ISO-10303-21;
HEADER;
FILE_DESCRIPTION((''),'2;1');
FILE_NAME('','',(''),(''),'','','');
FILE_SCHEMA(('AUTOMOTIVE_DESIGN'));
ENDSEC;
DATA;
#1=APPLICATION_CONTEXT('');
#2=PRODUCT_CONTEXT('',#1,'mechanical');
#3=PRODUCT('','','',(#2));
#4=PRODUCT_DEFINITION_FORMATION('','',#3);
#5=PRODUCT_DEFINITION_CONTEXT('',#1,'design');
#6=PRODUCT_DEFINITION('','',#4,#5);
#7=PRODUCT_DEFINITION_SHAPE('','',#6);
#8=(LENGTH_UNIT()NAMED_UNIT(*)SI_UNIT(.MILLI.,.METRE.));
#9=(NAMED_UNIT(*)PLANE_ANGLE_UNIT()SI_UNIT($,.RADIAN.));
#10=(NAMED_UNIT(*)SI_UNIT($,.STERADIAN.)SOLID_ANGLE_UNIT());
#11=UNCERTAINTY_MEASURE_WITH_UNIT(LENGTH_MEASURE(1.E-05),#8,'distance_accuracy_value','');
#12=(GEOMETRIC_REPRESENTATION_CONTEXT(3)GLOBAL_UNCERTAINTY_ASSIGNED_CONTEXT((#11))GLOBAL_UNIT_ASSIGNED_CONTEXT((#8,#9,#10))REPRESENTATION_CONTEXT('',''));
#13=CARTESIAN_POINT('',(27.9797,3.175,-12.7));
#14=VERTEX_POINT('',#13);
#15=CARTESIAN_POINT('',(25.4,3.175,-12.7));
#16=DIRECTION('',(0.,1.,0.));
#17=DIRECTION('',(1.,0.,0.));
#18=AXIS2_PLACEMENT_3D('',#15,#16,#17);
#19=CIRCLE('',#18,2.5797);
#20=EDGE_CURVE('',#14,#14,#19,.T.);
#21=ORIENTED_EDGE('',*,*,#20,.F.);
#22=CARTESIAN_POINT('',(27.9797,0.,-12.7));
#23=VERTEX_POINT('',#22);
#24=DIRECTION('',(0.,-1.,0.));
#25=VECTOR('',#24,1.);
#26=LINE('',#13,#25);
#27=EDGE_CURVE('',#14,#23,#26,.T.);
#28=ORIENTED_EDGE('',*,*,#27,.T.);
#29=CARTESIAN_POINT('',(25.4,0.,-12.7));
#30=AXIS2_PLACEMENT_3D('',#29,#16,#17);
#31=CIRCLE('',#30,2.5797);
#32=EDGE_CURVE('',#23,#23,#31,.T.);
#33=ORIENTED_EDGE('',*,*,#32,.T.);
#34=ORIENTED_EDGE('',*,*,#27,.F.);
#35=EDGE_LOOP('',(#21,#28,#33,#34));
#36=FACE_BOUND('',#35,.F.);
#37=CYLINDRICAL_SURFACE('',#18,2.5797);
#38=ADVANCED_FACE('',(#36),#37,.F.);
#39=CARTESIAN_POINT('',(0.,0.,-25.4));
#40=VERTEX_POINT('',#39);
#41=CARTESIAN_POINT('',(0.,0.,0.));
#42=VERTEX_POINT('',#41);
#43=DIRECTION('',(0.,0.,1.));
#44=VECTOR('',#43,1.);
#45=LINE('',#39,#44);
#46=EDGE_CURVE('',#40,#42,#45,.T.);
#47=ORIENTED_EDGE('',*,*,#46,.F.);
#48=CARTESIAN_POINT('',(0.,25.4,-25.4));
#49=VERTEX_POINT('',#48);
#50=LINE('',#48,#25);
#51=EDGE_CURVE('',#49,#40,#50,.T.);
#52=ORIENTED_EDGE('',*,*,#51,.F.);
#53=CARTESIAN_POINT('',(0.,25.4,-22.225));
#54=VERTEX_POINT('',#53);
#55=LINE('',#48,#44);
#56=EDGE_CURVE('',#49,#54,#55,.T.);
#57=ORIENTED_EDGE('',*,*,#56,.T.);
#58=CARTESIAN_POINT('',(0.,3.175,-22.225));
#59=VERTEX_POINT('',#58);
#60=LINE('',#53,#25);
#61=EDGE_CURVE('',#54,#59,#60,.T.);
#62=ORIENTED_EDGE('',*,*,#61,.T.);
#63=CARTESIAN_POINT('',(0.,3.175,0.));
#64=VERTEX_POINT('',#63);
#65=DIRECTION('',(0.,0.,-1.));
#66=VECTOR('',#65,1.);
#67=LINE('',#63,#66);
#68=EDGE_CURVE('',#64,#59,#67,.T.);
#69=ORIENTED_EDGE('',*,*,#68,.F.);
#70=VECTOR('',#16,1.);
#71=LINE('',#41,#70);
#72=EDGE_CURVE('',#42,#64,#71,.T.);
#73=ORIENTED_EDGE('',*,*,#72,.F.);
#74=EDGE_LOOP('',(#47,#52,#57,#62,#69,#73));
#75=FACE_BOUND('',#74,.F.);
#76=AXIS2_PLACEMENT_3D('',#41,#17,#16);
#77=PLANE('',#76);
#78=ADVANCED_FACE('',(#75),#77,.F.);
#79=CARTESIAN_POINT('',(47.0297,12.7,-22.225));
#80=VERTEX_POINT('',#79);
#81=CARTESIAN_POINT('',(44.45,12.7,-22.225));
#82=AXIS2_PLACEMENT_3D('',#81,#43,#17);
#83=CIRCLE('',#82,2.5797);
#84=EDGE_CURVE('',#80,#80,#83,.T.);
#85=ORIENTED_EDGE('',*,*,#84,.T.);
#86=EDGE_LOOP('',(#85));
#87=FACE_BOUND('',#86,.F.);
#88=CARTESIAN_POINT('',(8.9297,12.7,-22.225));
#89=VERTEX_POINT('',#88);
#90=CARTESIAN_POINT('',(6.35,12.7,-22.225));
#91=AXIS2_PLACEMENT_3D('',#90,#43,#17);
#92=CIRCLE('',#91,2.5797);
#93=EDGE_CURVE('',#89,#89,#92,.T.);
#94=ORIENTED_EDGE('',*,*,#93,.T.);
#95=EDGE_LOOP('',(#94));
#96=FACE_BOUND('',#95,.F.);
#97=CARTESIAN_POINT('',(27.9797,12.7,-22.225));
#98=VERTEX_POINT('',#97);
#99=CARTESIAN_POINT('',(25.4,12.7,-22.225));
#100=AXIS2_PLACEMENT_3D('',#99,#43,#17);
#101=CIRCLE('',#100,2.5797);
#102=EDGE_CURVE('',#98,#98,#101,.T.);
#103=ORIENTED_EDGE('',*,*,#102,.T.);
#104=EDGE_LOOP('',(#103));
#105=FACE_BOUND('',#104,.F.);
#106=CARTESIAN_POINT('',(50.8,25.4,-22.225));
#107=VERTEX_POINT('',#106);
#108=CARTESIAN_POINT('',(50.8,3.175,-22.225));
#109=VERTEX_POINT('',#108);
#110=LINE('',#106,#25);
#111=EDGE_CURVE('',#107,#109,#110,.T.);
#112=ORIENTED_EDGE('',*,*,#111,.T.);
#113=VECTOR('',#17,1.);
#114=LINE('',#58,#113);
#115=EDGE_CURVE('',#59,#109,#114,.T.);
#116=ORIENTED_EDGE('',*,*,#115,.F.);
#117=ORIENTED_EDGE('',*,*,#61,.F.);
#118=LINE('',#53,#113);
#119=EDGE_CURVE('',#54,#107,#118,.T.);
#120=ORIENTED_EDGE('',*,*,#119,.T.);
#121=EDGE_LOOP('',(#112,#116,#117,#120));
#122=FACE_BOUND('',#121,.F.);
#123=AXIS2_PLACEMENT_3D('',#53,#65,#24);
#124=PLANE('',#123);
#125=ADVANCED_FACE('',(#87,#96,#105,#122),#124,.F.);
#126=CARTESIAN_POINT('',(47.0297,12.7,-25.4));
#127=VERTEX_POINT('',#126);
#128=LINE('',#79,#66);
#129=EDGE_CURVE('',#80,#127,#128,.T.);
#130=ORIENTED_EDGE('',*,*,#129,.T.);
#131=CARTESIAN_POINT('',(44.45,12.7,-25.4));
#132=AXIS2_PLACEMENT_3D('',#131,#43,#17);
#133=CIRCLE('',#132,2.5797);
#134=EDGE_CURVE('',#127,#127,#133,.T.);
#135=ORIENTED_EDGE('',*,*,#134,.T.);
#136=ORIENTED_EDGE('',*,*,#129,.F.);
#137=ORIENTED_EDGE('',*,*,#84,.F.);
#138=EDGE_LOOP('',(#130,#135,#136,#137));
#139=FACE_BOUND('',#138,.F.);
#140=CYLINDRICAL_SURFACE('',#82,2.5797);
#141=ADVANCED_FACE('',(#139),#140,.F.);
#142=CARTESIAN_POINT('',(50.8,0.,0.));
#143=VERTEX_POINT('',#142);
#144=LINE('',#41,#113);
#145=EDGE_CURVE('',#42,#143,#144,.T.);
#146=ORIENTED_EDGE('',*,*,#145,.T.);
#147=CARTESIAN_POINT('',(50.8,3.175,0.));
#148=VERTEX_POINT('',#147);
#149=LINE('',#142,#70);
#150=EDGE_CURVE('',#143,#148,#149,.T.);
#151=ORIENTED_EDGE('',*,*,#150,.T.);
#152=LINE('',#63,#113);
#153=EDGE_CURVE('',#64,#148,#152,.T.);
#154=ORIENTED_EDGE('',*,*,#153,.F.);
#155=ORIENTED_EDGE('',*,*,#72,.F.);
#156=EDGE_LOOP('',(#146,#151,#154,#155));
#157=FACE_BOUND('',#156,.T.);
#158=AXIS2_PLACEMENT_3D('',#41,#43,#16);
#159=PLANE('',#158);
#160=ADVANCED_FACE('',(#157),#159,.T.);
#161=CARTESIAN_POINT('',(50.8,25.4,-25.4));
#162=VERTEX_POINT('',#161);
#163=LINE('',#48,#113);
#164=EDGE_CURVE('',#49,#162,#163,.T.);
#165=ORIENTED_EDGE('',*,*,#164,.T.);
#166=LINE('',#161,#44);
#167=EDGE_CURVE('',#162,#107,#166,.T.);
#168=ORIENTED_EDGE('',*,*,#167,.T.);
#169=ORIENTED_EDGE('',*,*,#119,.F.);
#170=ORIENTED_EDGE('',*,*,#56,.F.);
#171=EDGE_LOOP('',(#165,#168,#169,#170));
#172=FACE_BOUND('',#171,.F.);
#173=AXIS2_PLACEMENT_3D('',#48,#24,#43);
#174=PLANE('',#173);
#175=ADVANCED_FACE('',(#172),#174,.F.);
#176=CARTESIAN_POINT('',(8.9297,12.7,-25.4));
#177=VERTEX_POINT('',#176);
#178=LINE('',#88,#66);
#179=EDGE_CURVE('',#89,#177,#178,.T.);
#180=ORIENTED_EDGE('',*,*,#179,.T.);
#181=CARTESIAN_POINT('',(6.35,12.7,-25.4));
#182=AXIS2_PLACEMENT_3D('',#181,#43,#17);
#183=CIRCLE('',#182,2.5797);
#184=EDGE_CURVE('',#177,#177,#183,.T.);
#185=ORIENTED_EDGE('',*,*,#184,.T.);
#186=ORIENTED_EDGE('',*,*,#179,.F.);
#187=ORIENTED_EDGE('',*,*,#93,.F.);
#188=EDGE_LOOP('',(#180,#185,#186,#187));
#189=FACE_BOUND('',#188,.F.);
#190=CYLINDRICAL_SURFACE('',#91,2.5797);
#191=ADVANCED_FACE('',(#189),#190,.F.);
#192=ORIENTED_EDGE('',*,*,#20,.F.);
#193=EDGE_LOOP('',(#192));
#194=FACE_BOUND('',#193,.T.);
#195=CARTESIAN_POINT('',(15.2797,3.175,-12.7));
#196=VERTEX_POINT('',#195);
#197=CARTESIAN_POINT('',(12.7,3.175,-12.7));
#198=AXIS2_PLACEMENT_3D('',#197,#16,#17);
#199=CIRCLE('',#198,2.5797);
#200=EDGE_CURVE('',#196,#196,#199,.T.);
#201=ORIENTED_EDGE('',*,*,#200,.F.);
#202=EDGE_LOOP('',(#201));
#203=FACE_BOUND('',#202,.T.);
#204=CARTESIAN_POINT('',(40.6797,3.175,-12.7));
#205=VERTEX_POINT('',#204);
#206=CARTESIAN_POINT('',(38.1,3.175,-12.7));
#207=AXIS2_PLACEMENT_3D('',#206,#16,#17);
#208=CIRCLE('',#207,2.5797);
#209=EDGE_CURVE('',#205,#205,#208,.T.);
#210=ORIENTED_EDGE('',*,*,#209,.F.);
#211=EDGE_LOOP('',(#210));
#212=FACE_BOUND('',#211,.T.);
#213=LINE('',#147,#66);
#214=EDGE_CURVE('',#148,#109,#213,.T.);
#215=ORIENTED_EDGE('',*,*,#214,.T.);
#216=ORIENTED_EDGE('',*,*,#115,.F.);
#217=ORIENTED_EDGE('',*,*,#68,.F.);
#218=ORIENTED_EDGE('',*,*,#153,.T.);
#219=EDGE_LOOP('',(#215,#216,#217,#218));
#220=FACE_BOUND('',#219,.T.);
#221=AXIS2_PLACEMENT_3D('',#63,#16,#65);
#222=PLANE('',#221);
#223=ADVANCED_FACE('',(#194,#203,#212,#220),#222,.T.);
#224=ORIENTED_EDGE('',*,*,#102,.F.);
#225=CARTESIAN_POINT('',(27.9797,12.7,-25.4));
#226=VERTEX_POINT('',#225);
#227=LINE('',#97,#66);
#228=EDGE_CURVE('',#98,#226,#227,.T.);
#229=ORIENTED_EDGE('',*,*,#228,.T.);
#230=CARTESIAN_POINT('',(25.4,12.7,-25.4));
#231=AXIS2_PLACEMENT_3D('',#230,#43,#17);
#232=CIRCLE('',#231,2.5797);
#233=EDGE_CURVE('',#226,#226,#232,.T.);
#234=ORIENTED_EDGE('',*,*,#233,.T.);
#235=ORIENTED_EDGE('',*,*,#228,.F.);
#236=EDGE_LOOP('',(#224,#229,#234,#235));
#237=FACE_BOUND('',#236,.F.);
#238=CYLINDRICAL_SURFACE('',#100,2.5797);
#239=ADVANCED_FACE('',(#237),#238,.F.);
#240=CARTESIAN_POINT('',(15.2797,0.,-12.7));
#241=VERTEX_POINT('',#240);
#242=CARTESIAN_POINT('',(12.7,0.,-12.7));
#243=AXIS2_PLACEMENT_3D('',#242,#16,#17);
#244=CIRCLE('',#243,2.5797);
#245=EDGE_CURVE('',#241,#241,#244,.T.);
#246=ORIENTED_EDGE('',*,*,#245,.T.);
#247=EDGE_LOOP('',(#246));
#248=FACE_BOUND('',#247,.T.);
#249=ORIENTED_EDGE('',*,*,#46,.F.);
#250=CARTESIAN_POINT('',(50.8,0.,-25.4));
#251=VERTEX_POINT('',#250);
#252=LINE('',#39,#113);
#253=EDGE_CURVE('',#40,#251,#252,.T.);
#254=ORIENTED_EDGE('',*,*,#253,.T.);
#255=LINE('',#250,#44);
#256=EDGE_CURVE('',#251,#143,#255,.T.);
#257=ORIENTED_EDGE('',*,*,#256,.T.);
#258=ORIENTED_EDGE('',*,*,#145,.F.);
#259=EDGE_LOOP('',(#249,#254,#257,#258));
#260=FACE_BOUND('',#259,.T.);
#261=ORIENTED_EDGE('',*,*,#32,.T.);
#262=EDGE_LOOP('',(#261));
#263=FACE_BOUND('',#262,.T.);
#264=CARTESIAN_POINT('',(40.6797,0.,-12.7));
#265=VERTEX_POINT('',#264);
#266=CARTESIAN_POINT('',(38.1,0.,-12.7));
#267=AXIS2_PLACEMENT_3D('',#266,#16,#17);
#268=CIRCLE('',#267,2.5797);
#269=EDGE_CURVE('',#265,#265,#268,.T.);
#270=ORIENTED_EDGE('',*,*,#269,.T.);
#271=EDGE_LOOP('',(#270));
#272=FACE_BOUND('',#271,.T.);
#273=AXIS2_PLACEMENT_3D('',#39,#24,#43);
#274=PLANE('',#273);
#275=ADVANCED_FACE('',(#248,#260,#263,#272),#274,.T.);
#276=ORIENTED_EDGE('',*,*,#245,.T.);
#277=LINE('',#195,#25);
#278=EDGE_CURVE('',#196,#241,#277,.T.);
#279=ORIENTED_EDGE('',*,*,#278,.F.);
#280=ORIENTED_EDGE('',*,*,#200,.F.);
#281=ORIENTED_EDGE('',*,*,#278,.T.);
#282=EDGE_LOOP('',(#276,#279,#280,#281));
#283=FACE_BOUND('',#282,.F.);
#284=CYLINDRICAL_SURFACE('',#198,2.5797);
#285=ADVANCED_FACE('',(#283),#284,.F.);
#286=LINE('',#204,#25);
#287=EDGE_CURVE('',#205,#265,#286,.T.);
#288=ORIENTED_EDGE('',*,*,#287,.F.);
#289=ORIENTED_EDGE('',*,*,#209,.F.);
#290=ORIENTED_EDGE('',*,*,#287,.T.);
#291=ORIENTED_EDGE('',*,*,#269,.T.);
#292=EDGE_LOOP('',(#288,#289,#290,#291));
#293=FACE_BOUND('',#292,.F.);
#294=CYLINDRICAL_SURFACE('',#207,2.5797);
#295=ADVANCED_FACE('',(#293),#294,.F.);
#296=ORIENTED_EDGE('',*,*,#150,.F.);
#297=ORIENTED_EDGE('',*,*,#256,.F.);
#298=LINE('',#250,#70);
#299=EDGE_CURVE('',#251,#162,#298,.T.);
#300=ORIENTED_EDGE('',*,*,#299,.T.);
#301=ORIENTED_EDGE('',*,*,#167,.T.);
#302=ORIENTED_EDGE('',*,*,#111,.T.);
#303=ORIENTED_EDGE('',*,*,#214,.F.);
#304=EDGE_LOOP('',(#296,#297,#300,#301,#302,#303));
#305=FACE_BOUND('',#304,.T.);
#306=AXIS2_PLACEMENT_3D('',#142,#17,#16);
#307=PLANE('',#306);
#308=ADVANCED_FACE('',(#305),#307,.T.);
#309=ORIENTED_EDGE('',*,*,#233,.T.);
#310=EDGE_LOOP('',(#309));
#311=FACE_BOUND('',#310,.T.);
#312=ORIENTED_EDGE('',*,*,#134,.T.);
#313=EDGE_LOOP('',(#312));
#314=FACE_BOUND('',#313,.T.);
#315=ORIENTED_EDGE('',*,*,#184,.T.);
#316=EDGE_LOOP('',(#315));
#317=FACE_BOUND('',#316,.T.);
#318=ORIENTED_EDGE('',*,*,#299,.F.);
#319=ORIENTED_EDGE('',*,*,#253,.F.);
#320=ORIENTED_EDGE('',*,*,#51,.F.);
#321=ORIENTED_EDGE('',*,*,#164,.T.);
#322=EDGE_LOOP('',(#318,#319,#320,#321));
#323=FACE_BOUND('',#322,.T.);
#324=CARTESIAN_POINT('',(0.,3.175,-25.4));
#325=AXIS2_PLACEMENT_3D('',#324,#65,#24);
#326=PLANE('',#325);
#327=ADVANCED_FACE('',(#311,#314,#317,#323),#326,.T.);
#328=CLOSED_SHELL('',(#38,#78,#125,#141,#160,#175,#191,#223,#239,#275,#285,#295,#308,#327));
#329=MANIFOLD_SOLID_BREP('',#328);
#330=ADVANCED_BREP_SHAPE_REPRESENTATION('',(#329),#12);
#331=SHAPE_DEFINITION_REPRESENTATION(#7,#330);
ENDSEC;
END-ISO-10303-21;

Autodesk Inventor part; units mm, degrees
ref_plane "YZ Plane" through (0, 0, 0) normal (1, 0, 0) x (0, 1, 0)
ref_plane "XZ Plane" through (0, 0, 0) normal (0, 1, 0) x (-1, 0, 0)
ref_plane "XY Plane" through (0, 0, 0) normal (0, 0, 1) x (1, 0, 0)
sketch "Sketch1" plane through (0, 0, 0) normal (1, 0, 0) x (0, 1, 0)
  line L0 (0, 0) -> (3.175, 0)
  line L1 (3.175, 0) -> (3.175, -22.225)
  line L2 (3.175, -25.4) -> (0, -25.4)
  line L3 (0, -25.4) -> (0, 0)
  line L4 (3.175, -25.4) -> (25.4, -25.4)
  line L5 (25.4, -25.4) -> (25.4, -22.225)
  line L6 (25.4, -22.225) -> (3.175, -22.225)
  line L7 (3.175, -22.225) -> (3.175, -25.4)
  dimension "d0" = 3.175
  dimension "d1" = 25.4
  dimension "d2" = 22.225
  dimension "d3" = 3.175
extrude "Extrusion1" add sketch "Sketch1" along normal blind 50.8
sketch "Sketch2" plane through (0, 3.175, 0) normal (0, 1, 0) x (1, 0, 0)
  line L0 (0, 0) -> (0, 25.4) construction
  line L1 (0, 12.7) -> (12.7, 12.7) construction
  line L2 (12.7, 12.7) -> (12.7, 0) construction
  line L3 (0, 0) -> (50.8, 0) construction
  line L4 (25.4, 12.7) -> (38.1, 12.7) construction
  circle A0 centre (12.7, 12.7) radius 2.5797
  circle A1 centre (25.4, 12.7) radius 2.5797
  circle A2 centre (38.1, 12.7) radius 2.5797
  dimension "d6" = 12.7
  dimension "d7" = 12.7
  dimension "d8" = 5.1594
  dimension "d9" = 5.1594
  dimension "d10" = 5.1594
extrude "Extrusion2" cut sketch "Sketch2" against normal blind 50.8
sketch "Sketch3" plane through (0, 3.175, -22.225) normal (0, 0, 1) x (1, 0, 0)
  line L0 (0, 22.225) -> (0, 0) construction
  line L1 (50.8, 22.225) -> (50.8, 0) construction
  line L2 (0, 22.225) -> (50.8, 22.225) construction
  line L3 (25.4, 22.225) -> (25.4, 9.525) construction
  line L4 (25.4, 9.525) -> (44.45, 9.525) construction
  line L5 (25.4, 9.525) -> (6.35, 9.525) construction
  circle A0 centre (25.4, 9.525) radius 2.5797
  circle A1 centre (44.45, 9.525) radius 2.5797
  circle A2 centre (6.35, 9.525) radius 2.5797
  point P0 (0, -3.175)
  dimension "d22" = 12.7
  dimension "d23" = 19.05
  dimension "d24" = 19.05
  dimension "d25" = 5.1594
  dimension "d26" = 5.1594
  dimension "d27" = 5.1594
extrude "Extrusion3" cut sketch "Sketch3" against normal blind 50.8
properties part number "ball gripper to hatch attachment"
